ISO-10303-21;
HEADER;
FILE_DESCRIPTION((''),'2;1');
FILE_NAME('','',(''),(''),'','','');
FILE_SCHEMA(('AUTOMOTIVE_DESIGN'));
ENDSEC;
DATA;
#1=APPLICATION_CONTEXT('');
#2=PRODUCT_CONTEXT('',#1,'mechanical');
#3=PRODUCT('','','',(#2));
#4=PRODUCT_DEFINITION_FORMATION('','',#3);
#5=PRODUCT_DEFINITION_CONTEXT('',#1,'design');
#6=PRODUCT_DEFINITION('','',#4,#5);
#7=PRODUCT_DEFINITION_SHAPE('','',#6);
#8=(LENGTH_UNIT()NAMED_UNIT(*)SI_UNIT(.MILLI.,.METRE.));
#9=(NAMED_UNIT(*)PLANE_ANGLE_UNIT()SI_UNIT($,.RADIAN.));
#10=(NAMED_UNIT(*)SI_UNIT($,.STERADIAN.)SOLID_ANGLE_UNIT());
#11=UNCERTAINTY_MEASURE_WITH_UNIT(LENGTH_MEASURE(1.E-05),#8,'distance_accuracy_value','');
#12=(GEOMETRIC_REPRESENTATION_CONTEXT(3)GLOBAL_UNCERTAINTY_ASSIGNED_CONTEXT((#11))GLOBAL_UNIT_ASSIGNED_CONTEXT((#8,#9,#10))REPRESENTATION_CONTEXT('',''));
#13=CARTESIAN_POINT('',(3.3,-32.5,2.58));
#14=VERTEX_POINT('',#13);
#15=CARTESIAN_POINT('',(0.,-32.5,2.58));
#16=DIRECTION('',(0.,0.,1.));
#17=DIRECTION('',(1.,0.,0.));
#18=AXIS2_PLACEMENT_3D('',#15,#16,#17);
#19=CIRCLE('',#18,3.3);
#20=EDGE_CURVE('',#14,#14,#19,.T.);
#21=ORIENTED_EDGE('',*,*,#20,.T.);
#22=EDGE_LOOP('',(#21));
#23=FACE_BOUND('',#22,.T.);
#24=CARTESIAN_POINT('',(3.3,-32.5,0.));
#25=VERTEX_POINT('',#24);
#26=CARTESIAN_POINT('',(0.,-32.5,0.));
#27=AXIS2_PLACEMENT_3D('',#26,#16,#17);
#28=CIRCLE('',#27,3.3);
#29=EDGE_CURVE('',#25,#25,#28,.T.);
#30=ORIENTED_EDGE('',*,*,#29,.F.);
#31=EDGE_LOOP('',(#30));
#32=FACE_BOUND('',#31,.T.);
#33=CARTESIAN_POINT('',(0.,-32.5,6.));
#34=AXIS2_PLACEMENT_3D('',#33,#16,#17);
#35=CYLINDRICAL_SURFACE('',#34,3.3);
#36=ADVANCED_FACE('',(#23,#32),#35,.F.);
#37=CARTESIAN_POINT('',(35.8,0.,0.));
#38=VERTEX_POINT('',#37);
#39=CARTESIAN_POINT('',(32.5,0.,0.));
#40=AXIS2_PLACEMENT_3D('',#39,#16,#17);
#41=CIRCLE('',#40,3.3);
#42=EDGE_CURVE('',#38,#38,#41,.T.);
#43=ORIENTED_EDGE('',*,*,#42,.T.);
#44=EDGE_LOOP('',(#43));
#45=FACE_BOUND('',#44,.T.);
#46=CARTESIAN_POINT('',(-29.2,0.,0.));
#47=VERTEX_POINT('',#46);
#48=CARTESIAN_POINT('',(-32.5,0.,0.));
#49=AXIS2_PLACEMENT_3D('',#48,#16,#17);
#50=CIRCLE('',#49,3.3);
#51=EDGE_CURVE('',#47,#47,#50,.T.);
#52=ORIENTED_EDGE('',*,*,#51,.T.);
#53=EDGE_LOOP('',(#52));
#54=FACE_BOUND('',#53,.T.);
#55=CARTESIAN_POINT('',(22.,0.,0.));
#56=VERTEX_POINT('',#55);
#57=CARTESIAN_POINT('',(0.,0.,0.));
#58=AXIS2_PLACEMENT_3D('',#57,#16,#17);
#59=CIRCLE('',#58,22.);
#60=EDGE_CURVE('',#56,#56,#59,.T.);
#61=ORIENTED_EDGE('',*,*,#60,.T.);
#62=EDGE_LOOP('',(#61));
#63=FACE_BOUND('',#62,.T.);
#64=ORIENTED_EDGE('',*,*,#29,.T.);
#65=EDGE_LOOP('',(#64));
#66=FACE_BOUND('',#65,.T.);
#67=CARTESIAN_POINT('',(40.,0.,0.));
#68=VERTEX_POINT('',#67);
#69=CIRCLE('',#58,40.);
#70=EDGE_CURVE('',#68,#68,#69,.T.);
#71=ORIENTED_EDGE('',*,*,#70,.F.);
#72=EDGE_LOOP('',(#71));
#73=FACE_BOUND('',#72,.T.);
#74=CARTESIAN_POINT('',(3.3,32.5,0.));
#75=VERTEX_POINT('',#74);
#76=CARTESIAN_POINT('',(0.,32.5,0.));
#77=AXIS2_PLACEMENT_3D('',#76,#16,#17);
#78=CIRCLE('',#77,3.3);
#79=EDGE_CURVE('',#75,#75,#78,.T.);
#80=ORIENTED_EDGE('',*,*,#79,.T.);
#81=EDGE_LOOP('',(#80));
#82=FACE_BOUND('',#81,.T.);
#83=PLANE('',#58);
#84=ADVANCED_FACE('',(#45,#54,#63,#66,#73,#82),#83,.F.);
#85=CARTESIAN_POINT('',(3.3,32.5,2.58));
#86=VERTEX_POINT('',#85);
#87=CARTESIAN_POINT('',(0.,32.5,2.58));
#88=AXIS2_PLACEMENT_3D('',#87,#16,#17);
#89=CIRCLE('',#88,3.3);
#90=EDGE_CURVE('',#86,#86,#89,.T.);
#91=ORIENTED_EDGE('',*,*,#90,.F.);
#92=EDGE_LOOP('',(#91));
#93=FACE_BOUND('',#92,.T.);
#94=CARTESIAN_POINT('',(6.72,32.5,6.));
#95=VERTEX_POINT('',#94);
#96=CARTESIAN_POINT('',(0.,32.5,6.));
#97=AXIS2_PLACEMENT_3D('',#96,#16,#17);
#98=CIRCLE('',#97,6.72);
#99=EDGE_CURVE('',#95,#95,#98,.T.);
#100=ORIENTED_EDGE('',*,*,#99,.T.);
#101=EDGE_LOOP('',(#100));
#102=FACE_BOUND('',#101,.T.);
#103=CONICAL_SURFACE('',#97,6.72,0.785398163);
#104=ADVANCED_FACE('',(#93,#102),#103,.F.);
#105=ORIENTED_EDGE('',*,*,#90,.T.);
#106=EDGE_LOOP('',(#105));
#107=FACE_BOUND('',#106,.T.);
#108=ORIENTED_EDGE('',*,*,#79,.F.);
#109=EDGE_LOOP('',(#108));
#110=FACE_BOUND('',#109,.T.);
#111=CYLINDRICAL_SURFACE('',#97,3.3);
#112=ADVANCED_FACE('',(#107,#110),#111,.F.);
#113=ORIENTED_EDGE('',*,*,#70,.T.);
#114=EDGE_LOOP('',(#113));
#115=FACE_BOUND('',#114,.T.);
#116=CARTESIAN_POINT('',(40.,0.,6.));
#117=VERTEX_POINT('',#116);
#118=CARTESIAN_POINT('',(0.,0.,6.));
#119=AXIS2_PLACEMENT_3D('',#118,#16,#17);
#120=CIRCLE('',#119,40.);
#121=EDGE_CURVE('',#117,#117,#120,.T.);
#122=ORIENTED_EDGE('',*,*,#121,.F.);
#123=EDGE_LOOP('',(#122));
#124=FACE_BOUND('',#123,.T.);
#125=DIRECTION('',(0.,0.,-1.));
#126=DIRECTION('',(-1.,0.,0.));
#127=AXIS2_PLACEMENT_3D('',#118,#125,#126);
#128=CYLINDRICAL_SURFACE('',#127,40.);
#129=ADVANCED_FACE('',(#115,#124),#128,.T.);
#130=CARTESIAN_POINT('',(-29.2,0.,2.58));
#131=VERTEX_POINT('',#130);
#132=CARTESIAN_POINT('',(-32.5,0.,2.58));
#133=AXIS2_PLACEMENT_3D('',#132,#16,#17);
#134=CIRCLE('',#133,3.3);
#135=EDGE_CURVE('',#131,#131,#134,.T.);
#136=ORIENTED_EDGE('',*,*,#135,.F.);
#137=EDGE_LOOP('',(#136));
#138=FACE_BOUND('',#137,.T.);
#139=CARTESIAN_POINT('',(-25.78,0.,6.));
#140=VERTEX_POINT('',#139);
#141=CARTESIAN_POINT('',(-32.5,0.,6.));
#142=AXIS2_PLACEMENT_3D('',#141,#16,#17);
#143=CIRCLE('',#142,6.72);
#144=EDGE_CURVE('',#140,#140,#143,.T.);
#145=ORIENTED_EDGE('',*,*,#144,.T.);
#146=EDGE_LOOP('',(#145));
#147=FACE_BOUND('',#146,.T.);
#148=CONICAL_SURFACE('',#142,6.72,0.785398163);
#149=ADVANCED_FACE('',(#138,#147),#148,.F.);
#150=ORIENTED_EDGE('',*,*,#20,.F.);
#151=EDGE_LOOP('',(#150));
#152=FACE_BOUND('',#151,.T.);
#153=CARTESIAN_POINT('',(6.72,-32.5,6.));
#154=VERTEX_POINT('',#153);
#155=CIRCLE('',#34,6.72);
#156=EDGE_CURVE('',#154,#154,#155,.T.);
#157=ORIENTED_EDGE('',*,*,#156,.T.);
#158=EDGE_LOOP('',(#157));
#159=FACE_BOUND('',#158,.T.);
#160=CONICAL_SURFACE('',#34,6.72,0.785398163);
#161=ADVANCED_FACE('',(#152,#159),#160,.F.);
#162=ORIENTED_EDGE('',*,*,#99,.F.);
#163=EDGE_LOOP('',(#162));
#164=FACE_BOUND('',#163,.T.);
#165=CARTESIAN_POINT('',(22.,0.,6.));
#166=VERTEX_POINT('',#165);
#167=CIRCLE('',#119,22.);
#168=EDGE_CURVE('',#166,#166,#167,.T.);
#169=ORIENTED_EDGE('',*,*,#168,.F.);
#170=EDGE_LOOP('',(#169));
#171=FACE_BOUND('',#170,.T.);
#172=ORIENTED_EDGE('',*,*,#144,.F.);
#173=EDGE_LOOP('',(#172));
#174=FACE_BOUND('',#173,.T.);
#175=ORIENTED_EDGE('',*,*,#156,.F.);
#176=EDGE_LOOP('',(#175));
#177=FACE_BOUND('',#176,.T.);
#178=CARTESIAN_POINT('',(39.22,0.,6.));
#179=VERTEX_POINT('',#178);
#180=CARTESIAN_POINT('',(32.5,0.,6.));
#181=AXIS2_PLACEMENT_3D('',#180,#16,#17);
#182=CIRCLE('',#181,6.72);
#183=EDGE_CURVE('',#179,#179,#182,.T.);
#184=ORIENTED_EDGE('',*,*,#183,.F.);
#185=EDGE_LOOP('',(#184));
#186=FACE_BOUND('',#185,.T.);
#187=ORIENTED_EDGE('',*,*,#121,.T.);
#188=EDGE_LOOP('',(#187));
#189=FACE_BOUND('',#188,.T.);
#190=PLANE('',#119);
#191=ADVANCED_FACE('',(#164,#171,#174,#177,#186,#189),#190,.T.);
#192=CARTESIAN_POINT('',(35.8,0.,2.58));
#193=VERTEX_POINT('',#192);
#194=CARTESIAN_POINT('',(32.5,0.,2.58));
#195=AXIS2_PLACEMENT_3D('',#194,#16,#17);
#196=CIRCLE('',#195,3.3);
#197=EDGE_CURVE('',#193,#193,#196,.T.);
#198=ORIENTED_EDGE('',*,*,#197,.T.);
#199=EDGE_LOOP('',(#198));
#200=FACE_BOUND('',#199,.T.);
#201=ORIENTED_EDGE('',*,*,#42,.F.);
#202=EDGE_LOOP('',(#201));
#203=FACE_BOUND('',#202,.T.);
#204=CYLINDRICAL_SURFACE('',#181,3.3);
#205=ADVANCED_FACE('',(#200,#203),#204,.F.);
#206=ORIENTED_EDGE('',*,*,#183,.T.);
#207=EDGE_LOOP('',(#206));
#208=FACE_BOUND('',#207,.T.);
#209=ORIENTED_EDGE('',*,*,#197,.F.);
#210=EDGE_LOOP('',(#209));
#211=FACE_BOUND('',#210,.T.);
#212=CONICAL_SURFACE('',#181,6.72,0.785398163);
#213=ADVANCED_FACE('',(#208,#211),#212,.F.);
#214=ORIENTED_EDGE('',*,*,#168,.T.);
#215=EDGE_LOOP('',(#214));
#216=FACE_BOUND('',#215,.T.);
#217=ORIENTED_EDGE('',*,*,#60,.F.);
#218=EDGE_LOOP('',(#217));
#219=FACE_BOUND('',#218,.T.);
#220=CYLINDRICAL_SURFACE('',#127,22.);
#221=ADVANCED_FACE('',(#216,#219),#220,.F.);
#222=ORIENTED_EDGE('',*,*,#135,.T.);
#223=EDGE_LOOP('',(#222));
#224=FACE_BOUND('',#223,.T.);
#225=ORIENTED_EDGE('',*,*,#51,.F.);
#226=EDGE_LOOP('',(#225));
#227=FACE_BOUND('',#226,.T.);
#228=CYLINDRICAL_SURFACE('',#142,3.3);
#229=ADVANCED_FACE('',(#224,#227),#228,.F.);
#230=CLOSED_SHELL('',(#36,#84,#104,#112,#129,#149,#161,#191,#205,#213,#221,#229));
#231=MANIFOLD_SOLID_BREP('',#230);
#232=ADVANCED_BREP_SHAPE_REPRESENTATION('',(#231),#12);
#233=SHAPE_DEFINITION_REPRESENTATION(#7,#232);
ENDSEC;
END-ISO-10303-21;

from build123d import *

# Parameters (mm, degrees)
SKETCH1_R                                    = 40
SKETCH1_R_2                                  = 22
BOSS_EXTRUDE1_DEPTH                          = 6
CSK_FOR_M5_COUNTERSUNK_FLAT_HEAD_SCR_2_COUNT = 2
CSK_FOR_M5_COUNTERSUNK_FLAT_HEAD_SCR_2_PITCH = 45.961940777
CSK_FOR_M5_COUNTERSUNK_FLAT_HEAD_SCR_3_COUNT = 2
CSK_FOR_M5_COUNTERSUNK_FLAT_HEAD_SCR_3_PITCH = 65
CSK_FOR_M5_COUNTERSUNK_FLAT_HEAD_SCR_4_COUNT = 2
CSK_FOR_M5_COUNTERSUNK_FLAT_HEAD_SCR_4_PITCH = 45.961940777


with BuildPart() as part:
    # Sketch1 → Boss-Extrude1 (new body)
    with BuildSketch(Plane.XY):
        Circle(SKETCH1_R)
        Circle(SKETCH1_R_2, mode=Mode.SUBTRACT)
    extrude(amount=BOSS_EXTRUDE1_DEPTH)

    # Sketch6 → CSK for M5 Countersunk Flat Head Screw1 (revolve, cut)
    with BuildSketch(Plane(origin=(0, 32.5, 6), x_dir=(0, -1, 0), z_dir=(1, 0, 0))):
        Polygon((0, 0), (0, 6), (3.3, 6), (3.3, 3.42), (6.72, 0), align=None)
    csk_for_m5_countersunk_flat_head_screw1 = revolve(axis=Axis((0, 32.5, 12.35), (0, 0, -1)), mode=Mode.SUBTRACT)

    # CSK for M5 Countersunk Flat Head Scr 2: CSK for M5 Countersunk Flat Head Screw1 ×2
    with Locations(*[Vector(-0.7071067811865476, -0.7071067811865476, 0) * (i * CSK_FOR_M5_COUNTERSUNK_FLAT_HEAD_SCR_2_PITCH) for i in range(1, CSK_FOR_M5_COUNTERSUNK_FLAT_HEAD_SCR_2_COUNT)]):
        add(csk_for_m5_countersunk_flat_head_screw1, mode=Mode.SUBTRACT)

    # CSK for M5 Countersunk Flat Head Scr 3: CSK for M5 Countersunk Flat Head Screw1 ×2
    with Locations(*[(0, -i * CSK_FOR_M5_COUNTERSUNK_FLAT_HEAD_SCR_3_PITCH, 0) for i in range(1, CSK_FOR_M5_COUNTERSUNK_FLAT_HEAD_SCR_3_COUNT)]):
        add(csk_for_m5_countersunk_flat_head_screw1, mode=Mode.SUBTRACT)

    # CSK for M5 Countersunk Flat Head Scr 4: CSK for M5 Countersunk Flat Head Screw1 ×2
    with Locations(*[Vector(0.7071067811865476, -0.7071067811865476, 0) * (i * CSK_FOR_M5_COUNTERSUNK_FLAT_HEAD_SCR_4_PITCH) for i in range(1, CSK_FOR_M5_COUNTERSUNK_FLAT_HEAD_SCR_4_COUNT)]):
        add(csk_for_m5_countersunk_flat_head_screw1, mode=Mode.SUBTRACT)


solid = part.part
